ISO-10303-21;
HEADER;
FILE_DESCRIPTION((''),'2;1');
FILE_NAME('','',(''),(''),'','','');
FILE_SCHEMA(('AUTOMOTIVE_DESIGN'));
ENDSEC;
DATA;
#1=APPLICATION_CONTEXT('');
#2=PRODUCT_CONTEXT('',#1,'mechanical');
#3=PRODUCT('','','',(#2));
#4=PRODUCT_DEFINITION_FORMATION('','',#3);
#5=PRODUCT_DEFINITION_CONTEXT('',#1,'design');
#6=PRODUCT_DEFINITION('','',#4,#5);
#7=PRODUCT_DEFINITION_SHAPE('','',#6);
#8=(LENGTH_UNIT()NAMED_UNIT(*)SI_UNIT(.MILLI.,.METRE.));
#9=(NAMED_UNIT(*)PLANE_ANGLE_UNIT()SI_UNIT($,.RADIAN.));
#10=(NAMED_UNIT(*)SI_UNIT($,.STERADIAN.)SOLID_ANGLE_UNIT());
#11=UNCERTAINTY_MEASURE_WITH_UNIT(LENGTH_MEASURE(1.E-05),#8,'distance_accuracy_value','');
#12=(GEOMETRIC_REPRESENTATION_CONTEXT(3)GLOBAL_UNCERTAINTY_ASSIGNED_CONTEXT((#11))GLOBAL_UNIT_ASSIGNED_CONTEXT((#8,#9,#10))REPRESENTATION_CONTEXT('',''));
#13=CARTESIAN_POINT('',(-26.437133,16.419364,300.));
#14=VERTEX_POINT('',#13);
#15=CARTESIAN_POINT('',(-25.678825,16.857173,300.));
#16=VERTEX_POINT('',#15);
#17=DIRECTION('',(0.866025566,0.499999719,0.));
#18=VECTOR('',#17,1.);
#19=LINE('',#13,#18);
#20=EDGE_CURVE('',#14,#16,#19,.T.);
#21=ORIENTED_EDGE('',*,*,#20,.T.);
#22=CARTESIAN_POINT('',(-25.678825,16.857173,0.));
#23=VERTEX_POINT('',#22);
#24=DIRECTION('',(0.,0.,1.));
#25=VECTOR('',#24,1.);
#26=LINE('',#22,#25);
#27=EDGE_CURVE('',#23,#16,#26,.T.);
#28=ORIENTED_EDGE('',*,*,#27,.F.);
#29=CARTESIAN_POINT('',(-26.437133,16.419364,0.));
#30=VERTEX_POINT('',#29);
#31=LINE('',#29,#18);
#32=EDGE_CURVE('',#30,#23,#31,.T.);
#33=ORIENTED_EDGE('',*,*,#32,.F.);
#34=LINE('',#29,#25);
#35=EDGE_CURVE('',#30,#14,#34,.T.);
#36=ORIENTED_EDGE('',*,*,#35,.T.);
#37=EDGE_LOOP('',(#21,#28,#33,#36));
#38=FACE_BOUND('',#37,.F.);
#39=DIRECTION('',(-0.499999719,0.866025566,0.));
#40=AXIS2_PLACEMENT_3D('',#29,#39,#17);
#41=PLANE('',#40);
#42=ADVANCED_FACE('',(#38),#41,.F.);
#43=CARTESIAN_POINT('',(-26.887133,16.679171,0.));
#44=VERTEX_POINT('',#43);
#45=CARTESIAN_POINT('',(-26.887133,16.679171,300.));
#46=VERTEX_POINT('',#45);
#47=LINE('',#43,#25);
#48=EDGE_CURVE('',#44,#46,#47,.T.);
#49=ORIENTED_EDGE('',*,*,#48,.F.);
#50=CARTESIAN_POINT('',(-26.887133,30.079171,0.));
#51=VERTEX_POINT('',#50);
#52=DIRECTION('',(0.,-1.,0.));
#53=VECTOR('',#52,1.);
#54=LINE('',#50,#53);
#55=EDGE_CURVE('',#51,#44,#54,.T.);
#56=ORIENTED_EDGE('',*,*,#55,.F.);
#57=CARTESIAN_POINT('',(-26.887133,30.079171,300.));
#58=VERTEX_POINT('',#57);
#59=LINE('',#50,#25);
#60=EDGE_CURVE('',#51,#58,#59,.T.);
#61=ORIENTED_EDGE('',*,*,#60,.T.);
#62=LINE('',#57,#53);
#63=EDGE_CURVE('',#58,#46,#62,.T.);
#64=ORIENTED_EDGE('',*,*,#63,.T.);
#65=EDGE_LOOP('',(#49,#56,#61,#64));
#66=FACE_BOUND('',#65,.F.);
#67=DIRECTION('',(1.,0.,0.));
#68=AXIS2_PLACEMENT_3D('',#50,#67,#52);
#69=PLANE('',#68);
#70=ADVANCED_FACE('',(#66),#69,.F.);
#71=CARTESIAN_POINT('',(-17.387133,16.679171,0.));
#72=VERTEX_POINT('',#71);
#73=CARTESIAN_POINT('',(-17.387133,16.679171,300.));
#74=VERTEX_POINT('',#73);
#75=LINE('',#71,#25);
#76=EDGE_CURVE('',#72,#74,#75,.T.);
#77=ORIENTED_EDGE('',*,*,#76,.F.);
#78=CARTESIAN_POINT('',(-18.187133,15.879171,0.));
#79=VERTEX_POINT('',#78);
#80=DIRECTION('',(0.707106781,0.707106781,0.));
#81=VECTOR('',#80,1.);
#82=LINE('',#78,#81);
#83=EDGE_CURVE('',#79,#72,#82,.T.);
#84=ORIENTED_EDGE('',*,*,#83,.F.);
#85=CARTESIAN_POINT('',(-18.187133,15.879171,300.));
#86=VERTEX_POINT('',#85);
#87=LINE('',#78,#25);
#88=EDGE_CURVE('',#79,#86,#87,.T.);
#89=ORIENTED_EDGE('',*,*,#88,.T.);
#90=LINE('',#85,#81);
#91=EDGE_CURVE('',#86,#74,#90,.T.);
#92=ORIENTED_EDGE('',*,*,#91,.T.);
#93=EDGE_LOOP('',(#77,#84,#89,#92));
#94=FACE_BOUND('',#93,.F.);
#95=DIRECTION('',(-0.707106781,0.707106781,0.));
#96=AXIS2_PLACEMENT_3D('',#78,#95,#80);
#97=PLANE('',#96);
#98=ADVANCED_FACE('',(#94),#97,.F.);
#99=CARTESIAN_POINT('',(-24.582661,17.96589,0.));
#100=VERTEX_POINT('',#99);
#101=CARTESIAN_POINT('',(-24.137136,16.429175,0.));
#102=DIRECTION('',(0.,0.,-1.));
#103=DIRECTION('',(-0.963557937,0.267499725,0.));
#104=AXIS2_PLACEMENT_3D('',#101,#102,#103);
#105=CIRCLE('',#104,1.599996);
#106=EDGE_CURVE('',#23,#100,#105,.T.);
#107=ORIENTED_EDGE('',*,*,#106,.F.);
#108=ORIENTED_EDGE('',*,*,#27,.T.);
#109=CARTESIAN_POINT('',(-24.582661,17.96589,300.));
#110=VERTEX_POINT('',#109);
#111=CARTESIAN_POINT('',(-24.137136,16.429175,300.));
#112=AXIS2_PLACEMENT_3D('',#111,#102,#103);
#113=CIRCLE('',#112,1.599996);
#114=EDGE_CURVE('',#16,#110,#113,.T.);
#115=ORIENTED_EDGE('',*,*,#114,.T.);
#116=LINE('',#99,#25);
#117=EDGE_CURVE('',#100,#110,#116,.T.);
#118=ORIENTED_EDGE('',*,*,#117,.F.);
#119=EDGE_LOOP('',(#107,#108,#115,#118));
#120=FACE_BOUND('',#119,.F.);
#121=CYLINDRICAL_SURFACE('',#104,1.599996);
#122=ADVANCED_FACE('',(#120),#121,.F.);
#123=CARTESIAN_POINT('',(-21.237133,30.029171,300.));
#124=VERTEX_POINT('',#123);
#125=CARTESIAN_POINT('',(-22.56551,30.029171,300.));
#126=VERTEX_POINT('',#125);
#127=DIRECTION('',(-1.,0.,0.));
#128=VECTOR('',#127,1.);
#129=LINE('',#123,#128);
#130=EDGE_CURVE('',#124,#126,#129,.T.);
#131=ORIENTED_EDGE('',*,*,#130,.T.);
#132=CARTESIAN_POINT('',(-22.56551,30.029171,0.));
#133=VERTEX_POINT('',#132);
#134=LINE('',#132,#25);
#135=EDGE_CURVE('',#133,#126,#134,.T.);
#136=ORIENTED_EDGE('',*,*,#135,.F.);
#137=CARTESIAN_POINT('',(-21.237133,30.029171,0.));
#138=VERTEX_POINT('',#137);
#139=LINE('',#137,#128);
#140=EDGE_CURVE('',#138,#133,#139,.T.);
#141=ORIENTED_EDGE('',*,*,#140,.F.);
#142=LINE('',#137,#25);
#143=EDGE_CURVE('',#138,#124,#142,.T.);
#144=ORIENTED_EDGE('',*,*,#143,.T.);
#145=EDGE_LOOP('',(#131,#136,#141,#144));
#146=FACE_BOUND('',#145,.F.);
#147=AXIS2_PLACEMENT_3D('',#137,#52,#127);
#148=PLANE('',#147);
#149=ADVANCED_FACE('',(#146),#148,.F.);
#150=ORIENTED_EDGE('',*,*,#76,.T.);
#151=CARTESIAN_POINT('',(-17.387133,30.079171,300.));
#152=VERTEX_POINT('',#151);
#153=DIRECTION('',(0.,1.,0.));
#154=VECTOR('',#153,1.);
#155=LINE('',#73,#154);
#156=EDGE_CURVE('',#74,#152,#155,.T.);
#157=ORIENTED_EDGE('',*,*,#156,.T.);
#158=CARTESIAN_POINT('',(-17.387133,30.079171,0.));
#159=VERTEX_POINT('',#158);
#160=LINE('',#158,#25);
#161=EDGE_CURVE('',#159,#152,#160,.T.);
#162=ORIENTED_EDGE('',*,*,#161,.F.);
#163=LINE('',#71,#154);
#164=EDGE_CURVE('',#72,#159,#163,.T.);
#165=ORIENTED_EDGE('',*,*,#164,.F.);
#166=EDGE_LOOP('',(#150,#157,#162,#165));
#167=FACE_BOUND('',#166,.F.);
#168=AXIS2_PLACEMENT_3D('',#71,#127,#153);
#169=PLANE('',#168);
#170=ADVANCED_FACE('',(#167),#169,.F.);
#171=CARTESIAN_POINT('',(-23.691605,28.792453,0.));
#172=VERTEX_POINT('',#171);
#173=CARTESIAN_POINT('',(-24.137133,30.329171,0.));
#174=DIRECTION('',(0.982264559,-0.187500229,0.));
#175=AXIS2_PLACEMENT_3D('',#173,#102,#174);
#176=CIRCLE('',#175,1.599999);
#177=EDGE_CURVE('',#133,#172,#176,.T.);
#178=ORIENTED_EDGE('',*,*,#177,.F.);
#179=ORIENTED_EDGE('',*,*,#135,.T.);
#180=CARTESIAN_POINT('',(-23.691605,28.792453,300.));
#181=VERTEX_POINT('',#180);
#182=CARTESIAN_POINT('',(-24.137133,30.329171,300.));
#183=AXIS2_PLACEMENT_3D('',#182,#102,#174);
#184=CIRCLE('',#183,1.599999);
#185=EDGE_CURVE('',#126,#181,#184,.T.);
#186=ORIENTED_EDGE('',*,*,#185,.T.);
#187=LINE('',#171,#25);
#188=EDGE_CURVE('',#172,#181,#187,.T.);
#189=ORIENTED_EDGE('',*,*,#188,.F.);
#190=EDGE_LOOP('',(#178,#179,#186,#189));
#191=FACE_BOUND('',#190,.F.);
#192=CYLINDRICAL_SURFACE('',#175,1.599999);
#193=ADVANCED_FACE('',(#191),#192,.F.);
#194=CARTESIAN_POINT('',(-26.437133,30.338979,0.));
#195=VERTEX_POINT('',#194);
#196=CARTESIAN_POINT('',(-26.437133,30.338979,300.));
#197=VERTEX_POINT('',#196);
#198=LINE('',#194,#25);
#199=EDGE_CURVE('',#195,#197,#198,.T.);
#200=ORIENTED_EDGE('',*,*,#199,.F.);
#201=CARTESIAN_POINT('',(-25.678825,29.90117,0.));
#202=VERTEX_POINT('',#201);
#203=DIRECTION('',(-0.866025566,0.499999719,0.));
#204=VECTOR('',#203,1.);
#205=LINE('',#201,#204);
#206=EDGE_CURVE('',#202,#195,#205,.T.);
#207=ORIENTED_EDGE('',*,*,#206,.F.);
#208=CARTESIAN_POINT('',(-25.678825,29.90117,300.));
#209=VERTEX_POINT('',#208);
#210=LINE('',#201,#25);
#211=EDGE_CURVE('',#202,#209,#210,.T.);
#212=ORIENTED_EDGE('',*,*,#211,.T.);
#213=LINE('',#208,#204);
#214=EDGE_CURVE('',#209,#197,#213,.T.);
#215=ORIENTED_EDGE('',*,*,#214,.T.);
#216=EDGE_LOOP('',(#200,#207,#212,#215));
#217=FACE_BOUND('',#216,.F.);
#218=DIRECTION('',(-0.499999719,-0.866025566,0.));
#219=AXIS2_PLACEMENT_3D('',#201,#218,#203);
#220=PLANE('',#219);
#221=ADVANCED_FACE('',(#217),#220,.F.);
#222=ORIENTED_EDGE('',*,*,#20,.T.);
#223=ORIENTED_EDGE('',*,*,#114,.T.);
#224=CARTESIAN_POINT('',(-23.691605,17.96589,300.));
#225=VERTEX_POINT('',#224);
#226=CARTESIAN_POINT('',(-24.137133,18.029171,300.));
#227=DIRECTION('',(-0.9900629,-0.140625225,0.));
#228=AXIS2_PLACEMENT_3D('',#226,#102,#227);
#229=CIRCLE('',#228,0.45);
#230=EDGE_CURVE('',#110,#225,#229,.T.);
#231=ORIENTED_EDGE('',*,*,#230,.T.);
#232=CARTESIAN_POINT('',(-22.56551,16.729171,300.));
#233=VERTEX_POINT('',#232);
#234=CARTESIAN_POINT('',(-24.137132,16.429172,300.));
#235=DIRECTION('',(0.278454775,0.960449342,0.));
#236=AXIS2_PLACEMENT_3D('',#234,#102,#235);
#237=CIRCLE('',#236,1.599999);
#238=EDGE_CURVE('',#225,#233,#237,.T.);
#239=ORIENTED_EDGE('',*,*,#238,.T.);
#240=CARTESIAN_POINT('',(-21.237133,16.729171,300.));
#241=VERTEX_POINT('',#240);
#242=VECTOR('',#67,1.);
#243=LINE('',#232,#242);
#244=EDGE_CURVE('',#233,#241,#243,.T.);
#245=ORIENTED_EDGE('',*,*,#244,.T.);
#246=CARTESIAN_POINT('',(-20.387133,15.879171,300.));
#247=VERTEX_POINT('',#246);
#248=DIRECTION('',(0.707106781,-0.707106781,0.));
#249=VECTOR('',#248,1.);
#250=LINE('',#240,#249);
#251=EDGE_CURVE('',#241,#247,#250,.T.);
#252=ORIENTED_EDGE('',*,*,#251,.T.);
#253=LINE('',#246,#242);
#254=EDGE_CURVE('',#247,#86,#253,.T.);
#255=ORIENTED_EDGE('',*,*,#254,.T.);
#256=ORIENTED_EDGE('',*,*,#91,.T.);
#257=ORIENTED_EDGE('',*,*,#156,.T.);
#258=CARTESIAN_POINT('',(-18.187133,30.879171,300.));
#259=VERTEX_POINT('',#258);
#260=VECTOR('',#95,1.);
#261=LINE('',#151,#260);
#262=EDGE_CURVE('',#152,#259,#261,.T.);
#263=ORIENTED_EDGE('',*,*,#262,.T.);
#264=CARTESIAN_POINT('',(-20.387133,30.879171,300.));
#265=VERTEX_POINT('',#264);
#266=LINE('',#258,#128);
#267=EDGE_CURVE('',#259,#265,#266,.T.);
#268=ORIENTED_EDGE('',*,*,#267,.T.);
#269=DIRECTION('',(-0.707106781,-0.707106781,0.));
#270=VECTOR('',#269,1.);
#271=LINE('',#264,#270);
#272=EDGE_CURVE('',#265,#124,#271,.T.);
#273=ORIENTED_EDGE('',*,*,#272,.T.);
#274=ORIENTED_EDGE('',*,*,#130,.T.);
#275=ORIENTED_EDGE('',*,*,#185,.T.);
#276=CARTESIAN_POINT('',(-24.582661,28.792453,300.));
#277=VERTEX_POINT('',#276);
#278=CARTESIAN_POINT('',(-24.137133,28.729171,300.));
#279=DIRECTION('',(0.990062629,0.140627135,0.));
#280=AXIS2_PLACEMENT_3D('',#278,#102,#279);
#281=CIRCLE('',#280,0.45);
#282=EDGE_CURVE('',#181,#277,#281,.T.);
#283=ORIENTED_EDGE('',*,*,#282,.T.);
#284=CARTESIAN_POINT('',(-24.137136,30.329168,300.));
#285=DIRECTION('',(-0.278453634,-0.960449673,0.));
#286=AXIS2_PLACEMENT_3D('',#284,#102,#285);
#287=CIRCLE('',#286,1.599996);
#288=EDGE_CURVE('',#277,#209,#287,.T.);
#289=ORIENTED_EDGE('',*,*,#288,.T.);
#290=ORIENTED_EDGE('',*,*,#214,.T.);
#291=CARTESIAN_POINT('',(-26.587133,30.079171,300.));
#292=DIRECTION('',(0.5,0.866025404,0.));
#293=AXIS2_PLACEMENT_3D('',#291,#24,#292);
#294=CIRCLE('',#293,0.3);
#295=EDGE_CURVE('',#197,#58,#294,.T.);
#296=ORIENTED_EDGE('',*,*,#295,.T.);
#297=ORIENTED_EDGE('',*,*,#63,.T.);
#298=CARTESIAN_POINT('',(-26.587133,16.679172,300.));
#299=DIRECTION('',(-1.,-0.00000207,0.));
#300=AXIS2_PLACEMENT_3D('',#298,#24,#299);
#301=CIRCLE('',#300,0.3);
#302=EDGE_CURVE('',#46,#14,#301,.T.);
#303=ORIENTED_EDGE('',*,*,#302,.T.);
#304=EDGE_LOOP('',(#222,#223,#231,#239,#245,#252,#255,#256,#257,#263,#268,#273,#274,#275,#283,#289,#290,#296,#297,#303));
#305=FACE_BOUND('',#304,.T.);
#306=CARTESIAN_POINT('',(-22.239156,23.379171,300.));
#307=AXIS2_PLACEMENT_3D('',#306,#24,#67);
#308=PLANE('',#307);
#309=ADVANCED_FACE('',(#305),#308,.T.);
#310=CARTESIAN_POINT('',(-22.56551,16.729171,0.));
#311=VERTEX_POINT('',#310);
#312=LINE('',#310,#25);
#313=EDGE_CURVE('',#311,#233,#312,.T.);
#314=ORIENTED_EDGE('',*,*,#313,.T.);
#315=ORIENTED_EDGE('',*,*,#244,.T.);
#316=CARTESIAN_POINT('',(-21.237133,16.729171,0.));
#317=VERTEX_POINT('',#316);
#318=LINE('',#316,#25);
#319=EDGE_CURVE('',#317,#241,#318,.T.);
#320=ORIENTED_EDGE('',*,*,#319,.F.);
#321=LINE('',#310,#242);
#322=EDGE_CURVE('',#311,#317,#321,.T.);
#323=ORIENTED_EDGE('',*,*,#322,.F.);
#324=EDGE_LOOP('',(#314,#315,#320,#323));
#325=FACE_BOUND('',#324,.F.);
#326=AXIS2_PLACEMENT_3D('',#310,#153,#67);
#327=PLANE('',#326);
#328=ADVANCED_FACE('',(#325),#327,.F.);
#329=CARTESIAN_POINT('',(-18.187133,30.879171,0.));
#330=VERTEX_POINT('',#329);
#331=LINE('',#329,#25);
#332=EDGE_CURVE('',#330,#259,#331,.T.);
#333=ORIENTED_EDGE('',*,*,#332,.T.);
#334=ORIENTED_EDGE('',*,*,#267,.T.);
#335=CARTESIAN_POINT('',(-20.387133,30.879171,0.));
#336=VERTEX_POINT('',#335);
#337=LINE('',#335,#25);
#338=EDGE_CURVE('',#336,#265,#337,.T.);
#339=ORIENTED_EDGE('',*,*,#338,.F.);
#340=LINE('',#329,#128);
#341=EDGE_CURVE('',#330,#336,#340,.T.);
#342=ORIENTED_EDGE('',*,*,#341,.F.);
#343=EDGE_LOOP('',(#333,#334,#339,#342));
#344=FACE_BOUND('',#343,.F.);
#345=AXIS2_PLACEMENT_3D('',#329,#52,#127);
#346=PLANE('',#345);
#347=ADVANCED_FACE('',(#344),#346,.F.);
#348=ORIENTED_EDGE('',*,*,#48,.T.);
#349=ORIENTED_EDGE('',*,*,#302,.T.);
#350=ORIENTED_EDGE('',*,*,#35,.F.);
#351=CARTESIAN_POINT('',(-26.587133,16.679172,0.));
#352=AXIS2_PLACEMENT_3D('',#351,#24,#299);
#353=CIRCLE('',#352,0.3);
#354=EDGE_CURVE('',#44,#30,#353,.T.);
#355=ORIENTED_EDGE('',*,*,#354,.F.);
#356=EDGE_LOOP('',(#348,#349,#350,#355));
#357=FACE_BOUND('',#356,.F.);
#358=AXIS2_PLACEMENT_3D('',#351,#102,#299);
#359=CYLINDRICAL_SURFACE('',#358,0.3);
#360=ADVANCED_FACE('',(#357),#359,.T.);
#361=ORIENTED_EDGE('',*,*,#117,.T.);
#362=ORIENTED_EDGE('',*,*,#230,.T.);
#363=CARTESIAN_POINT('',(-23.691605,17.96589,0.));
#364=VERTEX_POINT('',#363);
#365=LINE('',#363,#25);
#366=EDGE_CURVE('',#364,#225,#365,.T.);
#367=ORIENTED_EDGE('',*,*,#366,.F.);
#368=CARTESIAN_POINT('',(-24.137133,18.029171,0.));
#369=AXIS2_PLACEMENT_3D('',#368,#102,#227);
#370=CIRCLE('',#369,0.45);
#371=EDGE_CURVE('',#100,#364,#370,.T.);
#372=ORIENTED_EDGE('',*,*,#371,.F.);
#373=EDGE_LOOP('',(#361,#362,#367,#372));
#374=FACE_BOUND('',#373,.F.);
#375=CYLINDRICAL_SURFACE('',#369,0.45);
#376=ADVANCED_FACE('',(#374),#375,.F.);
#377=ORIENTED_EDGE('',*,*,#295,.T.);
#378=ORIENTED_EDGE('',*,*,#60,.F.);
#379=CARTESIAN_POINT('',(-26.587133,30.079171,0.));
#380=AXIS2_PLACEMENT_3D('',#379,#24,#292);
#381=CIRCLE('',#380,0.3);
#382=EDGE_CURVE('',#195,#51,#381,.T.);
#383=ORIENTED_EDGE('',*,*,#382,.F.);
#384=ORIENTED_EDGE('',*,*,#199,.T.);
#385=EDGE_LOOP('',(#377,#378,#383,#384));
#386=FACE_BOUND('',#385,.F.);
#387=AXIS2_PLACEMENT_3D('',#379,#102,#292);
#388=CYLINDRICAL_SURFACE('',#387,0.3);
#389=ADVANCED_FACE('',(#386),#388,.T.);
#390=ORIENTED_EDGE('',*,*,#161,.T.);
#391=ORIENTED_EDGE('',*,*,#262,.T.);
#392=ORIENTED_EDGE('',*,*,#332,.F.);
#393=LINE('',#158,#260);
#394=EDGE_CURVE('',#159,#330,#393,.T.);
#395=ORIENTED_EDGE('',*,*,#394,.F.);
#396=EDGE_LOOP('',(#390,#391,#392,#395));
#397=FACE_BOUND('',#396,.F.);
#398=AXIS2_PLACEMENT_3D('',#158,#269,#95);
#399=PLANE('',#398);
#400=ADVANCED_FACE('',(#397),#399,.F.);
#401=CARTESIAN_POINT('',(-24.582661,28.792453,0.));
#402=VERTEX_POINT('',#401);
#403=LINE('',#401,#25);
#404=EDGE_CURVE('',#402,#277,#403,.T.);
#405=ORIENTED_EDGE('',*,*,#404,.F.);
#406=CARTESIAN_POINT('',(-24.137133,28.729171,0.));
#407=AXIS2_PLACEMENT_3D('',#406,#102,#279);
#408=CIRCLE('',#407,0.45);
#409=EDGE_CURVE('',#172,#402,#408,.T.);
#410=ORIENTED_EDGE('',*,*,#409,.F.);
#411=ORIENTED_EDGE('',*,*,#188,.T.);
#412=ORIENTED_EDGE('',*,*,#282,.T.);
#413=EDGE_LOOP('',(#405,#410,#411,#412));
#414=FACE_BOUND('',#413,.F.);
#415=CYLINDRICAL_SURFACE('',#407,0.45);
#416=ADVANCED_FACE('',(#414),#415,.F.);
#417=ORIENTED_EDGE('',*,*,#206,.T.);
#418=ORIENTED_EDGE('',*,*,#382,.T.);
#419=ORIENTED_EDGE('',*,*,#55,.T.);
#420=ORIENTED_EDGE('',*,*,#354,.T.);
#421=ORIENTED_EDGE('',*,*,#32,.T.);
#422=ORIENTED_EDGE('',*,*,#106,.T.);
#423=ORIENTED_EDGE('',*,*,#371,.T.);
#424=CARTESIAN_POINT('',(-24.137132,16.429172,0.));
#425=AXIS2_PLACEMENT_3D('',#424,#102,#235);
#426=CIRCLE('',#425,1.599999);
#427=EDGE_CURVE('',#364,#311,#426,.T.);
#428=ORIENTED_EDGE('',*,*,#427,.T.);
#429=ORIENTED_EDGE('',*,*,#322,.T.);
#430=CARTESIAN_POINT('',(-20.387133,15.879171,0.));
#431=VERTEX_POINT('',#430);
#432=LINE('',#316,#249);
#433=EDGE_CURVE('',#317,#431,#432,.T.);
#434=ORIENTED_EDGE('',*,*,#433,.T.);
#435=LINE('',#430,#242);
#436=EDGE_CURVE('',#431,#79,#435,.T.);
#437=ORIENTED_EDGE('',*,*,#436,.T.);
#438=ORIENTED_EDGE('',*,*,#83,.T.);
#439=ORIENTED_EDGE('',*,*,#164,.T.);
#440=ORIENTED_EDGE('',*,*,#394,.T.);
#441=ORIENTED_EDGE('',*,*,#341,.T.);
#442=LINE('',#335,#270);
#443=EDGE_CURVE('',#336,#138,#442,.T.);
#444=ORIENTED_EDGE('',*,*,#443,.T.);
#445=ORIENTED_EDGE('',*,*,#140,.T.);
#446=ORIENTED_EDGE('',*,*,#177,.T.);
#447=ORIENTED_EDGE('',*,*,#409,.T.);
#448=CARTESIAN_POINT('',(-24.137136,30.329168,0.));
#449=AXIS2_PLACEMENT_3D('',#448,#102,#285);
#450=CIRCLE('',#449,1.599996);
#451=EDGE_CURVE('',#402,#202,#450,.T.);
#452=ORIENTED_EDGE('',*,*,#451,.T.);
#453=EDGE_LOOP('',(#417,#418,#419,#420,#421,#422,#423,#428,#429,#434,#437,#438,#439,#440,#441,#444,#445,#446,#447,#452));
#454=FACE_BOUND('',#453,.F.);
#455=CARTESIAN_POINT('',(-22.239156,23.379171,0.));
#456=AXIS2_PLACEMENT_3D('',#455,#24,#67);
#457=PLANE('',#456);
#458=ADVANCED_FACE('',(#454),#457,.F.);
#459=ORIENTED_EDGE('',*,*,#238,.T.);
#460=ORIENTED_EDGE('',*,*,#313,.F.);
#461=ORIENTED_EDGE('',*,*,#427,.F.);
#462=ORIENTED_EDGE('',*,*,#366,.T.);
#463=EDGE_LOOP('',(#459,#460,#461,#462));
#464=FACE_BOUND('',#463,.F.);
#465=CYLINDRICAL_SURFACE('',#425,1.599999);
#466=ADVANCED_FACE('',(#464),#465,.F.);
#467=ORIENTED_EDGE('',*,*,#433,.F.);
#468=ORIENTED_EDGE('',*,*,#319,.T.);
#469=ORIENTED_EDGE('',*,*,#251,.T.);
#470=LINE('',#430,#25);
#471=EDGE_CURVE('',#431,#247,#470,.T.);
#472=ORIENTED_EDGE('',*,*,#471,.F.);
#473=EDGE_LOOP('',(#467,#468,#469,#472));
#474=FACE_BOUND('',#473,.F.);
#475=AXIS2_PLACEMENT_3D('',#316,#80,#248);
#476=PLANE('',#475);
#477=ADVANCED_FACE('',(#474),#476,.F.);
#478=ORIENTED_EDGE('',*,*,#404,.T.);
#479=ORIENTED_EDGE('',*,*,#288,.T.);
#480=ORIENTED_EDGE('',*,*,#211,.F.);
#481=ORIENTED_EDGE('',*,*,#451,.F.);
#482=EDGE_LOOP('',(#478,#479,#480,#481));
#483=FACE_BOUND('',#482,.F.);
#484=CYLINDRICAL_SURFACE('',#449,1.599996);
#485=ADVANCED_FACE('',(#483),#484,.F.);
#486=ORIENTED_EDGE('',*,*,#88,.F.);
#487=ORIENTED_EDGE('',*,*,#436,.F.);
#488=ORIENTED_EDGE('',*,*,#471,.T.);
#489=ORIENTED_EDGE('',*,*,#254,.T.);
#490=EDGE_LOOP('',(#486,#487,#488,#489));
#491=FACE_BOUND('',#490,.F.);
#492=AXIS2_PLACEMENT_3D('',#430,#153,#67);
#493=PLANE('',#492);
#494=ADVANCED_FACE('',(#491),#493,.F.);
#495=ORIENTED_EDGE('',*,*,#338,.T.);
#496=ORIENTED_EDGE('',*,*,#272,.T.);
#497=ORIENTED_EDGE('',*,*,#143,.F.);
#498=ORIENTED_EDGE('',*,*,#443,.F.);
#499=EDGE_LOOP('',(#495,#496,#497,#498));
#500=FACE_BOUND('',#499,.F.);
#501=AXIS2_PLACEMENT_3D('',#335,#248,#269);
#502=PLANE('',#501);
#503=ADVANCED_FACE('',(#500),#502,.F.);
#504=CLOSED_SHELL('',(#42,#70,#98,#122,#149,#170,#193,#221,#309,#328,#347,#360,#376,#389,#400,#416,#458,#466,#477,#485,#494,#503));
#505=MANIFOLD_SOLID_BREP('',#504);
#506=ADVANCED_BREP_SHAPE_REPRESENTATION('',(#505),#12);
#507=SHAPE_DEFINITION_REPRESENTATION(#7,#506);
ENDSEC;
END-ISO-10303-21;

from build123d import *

# Parameters (mm, degrees)
F1_DEPTH = 300


with BuildPart() as f1:
    # F0 (on Top) → F1 (new body)
    with BuildSketch(Plane.XY):
        with BuildLine():
            ThreePointArc((-24.582661, 28.792453), (-25.274927, 29.20426), (-25.678825, 29.90117))
            Line((-25.678825, 29.90117), (-26.437133, 30.338979))
            ThreePointArc((-26.437133, 30.338979), (-26.737133, 30.338979), (-26.887133, 30.079171))
            Line((-26.887133, 30.079171), (-26.887133, 16.679171))
            ThreePointArc((-26.887133, 16.679171), (-26.737133, 16.419364), (-26.437133, 16.419364))
            Line((-26.437133, 16.419364), (-25.678825, 16.857173))
            ThreePointArc((-25.678825, 16.857173), (-25.274927, 17.554083), (-24.582661, 17.96589))
            ThreePointArc((-24.582661, 17.96589), (-24.137133, 18.479171), (-23.691605, 17.96589))
            ThreePointArc((-23.691605, 17.96589), (-22.954089, 17.506393), (-22.56551, 16.729171))
            Line((-22.56551, 16.729171), (-21.237133, 16.729171))
            Line((-21.237133, 16.729171), (-20.387133, 15.879171))
            Line((-20.387133, 15.879171), (-18.187133, 15.879171))
            Line((-18.187133, 15.879171), (-17.387133, 16.679171))
            Line((-17.387133, 16.679171), (-17.387133, 30.079171))
            Line((-17.387133, 30.079171), (-18.187133, 30.879171))
            Line((-18.187133, 30.879171), (-20.387133, 30.879171))
            Line((-20.387133, 30.879171), (-21.237133, 30.029171))
            Line((-21.237133, 30.029171), (-22.56551, 30.029171))
            ThreePointArc((-22.56551, 30.029171), (-22.954089, 29.25195), (-23.691605, 28.792453))
            ThreePointArc((-23.691605, 28.792453), (-24.137133, 28.279171), (-24.582661, 28.792453))
        make_face()
    extrude(amount=F1_DEPTH)


solid = f1.part
